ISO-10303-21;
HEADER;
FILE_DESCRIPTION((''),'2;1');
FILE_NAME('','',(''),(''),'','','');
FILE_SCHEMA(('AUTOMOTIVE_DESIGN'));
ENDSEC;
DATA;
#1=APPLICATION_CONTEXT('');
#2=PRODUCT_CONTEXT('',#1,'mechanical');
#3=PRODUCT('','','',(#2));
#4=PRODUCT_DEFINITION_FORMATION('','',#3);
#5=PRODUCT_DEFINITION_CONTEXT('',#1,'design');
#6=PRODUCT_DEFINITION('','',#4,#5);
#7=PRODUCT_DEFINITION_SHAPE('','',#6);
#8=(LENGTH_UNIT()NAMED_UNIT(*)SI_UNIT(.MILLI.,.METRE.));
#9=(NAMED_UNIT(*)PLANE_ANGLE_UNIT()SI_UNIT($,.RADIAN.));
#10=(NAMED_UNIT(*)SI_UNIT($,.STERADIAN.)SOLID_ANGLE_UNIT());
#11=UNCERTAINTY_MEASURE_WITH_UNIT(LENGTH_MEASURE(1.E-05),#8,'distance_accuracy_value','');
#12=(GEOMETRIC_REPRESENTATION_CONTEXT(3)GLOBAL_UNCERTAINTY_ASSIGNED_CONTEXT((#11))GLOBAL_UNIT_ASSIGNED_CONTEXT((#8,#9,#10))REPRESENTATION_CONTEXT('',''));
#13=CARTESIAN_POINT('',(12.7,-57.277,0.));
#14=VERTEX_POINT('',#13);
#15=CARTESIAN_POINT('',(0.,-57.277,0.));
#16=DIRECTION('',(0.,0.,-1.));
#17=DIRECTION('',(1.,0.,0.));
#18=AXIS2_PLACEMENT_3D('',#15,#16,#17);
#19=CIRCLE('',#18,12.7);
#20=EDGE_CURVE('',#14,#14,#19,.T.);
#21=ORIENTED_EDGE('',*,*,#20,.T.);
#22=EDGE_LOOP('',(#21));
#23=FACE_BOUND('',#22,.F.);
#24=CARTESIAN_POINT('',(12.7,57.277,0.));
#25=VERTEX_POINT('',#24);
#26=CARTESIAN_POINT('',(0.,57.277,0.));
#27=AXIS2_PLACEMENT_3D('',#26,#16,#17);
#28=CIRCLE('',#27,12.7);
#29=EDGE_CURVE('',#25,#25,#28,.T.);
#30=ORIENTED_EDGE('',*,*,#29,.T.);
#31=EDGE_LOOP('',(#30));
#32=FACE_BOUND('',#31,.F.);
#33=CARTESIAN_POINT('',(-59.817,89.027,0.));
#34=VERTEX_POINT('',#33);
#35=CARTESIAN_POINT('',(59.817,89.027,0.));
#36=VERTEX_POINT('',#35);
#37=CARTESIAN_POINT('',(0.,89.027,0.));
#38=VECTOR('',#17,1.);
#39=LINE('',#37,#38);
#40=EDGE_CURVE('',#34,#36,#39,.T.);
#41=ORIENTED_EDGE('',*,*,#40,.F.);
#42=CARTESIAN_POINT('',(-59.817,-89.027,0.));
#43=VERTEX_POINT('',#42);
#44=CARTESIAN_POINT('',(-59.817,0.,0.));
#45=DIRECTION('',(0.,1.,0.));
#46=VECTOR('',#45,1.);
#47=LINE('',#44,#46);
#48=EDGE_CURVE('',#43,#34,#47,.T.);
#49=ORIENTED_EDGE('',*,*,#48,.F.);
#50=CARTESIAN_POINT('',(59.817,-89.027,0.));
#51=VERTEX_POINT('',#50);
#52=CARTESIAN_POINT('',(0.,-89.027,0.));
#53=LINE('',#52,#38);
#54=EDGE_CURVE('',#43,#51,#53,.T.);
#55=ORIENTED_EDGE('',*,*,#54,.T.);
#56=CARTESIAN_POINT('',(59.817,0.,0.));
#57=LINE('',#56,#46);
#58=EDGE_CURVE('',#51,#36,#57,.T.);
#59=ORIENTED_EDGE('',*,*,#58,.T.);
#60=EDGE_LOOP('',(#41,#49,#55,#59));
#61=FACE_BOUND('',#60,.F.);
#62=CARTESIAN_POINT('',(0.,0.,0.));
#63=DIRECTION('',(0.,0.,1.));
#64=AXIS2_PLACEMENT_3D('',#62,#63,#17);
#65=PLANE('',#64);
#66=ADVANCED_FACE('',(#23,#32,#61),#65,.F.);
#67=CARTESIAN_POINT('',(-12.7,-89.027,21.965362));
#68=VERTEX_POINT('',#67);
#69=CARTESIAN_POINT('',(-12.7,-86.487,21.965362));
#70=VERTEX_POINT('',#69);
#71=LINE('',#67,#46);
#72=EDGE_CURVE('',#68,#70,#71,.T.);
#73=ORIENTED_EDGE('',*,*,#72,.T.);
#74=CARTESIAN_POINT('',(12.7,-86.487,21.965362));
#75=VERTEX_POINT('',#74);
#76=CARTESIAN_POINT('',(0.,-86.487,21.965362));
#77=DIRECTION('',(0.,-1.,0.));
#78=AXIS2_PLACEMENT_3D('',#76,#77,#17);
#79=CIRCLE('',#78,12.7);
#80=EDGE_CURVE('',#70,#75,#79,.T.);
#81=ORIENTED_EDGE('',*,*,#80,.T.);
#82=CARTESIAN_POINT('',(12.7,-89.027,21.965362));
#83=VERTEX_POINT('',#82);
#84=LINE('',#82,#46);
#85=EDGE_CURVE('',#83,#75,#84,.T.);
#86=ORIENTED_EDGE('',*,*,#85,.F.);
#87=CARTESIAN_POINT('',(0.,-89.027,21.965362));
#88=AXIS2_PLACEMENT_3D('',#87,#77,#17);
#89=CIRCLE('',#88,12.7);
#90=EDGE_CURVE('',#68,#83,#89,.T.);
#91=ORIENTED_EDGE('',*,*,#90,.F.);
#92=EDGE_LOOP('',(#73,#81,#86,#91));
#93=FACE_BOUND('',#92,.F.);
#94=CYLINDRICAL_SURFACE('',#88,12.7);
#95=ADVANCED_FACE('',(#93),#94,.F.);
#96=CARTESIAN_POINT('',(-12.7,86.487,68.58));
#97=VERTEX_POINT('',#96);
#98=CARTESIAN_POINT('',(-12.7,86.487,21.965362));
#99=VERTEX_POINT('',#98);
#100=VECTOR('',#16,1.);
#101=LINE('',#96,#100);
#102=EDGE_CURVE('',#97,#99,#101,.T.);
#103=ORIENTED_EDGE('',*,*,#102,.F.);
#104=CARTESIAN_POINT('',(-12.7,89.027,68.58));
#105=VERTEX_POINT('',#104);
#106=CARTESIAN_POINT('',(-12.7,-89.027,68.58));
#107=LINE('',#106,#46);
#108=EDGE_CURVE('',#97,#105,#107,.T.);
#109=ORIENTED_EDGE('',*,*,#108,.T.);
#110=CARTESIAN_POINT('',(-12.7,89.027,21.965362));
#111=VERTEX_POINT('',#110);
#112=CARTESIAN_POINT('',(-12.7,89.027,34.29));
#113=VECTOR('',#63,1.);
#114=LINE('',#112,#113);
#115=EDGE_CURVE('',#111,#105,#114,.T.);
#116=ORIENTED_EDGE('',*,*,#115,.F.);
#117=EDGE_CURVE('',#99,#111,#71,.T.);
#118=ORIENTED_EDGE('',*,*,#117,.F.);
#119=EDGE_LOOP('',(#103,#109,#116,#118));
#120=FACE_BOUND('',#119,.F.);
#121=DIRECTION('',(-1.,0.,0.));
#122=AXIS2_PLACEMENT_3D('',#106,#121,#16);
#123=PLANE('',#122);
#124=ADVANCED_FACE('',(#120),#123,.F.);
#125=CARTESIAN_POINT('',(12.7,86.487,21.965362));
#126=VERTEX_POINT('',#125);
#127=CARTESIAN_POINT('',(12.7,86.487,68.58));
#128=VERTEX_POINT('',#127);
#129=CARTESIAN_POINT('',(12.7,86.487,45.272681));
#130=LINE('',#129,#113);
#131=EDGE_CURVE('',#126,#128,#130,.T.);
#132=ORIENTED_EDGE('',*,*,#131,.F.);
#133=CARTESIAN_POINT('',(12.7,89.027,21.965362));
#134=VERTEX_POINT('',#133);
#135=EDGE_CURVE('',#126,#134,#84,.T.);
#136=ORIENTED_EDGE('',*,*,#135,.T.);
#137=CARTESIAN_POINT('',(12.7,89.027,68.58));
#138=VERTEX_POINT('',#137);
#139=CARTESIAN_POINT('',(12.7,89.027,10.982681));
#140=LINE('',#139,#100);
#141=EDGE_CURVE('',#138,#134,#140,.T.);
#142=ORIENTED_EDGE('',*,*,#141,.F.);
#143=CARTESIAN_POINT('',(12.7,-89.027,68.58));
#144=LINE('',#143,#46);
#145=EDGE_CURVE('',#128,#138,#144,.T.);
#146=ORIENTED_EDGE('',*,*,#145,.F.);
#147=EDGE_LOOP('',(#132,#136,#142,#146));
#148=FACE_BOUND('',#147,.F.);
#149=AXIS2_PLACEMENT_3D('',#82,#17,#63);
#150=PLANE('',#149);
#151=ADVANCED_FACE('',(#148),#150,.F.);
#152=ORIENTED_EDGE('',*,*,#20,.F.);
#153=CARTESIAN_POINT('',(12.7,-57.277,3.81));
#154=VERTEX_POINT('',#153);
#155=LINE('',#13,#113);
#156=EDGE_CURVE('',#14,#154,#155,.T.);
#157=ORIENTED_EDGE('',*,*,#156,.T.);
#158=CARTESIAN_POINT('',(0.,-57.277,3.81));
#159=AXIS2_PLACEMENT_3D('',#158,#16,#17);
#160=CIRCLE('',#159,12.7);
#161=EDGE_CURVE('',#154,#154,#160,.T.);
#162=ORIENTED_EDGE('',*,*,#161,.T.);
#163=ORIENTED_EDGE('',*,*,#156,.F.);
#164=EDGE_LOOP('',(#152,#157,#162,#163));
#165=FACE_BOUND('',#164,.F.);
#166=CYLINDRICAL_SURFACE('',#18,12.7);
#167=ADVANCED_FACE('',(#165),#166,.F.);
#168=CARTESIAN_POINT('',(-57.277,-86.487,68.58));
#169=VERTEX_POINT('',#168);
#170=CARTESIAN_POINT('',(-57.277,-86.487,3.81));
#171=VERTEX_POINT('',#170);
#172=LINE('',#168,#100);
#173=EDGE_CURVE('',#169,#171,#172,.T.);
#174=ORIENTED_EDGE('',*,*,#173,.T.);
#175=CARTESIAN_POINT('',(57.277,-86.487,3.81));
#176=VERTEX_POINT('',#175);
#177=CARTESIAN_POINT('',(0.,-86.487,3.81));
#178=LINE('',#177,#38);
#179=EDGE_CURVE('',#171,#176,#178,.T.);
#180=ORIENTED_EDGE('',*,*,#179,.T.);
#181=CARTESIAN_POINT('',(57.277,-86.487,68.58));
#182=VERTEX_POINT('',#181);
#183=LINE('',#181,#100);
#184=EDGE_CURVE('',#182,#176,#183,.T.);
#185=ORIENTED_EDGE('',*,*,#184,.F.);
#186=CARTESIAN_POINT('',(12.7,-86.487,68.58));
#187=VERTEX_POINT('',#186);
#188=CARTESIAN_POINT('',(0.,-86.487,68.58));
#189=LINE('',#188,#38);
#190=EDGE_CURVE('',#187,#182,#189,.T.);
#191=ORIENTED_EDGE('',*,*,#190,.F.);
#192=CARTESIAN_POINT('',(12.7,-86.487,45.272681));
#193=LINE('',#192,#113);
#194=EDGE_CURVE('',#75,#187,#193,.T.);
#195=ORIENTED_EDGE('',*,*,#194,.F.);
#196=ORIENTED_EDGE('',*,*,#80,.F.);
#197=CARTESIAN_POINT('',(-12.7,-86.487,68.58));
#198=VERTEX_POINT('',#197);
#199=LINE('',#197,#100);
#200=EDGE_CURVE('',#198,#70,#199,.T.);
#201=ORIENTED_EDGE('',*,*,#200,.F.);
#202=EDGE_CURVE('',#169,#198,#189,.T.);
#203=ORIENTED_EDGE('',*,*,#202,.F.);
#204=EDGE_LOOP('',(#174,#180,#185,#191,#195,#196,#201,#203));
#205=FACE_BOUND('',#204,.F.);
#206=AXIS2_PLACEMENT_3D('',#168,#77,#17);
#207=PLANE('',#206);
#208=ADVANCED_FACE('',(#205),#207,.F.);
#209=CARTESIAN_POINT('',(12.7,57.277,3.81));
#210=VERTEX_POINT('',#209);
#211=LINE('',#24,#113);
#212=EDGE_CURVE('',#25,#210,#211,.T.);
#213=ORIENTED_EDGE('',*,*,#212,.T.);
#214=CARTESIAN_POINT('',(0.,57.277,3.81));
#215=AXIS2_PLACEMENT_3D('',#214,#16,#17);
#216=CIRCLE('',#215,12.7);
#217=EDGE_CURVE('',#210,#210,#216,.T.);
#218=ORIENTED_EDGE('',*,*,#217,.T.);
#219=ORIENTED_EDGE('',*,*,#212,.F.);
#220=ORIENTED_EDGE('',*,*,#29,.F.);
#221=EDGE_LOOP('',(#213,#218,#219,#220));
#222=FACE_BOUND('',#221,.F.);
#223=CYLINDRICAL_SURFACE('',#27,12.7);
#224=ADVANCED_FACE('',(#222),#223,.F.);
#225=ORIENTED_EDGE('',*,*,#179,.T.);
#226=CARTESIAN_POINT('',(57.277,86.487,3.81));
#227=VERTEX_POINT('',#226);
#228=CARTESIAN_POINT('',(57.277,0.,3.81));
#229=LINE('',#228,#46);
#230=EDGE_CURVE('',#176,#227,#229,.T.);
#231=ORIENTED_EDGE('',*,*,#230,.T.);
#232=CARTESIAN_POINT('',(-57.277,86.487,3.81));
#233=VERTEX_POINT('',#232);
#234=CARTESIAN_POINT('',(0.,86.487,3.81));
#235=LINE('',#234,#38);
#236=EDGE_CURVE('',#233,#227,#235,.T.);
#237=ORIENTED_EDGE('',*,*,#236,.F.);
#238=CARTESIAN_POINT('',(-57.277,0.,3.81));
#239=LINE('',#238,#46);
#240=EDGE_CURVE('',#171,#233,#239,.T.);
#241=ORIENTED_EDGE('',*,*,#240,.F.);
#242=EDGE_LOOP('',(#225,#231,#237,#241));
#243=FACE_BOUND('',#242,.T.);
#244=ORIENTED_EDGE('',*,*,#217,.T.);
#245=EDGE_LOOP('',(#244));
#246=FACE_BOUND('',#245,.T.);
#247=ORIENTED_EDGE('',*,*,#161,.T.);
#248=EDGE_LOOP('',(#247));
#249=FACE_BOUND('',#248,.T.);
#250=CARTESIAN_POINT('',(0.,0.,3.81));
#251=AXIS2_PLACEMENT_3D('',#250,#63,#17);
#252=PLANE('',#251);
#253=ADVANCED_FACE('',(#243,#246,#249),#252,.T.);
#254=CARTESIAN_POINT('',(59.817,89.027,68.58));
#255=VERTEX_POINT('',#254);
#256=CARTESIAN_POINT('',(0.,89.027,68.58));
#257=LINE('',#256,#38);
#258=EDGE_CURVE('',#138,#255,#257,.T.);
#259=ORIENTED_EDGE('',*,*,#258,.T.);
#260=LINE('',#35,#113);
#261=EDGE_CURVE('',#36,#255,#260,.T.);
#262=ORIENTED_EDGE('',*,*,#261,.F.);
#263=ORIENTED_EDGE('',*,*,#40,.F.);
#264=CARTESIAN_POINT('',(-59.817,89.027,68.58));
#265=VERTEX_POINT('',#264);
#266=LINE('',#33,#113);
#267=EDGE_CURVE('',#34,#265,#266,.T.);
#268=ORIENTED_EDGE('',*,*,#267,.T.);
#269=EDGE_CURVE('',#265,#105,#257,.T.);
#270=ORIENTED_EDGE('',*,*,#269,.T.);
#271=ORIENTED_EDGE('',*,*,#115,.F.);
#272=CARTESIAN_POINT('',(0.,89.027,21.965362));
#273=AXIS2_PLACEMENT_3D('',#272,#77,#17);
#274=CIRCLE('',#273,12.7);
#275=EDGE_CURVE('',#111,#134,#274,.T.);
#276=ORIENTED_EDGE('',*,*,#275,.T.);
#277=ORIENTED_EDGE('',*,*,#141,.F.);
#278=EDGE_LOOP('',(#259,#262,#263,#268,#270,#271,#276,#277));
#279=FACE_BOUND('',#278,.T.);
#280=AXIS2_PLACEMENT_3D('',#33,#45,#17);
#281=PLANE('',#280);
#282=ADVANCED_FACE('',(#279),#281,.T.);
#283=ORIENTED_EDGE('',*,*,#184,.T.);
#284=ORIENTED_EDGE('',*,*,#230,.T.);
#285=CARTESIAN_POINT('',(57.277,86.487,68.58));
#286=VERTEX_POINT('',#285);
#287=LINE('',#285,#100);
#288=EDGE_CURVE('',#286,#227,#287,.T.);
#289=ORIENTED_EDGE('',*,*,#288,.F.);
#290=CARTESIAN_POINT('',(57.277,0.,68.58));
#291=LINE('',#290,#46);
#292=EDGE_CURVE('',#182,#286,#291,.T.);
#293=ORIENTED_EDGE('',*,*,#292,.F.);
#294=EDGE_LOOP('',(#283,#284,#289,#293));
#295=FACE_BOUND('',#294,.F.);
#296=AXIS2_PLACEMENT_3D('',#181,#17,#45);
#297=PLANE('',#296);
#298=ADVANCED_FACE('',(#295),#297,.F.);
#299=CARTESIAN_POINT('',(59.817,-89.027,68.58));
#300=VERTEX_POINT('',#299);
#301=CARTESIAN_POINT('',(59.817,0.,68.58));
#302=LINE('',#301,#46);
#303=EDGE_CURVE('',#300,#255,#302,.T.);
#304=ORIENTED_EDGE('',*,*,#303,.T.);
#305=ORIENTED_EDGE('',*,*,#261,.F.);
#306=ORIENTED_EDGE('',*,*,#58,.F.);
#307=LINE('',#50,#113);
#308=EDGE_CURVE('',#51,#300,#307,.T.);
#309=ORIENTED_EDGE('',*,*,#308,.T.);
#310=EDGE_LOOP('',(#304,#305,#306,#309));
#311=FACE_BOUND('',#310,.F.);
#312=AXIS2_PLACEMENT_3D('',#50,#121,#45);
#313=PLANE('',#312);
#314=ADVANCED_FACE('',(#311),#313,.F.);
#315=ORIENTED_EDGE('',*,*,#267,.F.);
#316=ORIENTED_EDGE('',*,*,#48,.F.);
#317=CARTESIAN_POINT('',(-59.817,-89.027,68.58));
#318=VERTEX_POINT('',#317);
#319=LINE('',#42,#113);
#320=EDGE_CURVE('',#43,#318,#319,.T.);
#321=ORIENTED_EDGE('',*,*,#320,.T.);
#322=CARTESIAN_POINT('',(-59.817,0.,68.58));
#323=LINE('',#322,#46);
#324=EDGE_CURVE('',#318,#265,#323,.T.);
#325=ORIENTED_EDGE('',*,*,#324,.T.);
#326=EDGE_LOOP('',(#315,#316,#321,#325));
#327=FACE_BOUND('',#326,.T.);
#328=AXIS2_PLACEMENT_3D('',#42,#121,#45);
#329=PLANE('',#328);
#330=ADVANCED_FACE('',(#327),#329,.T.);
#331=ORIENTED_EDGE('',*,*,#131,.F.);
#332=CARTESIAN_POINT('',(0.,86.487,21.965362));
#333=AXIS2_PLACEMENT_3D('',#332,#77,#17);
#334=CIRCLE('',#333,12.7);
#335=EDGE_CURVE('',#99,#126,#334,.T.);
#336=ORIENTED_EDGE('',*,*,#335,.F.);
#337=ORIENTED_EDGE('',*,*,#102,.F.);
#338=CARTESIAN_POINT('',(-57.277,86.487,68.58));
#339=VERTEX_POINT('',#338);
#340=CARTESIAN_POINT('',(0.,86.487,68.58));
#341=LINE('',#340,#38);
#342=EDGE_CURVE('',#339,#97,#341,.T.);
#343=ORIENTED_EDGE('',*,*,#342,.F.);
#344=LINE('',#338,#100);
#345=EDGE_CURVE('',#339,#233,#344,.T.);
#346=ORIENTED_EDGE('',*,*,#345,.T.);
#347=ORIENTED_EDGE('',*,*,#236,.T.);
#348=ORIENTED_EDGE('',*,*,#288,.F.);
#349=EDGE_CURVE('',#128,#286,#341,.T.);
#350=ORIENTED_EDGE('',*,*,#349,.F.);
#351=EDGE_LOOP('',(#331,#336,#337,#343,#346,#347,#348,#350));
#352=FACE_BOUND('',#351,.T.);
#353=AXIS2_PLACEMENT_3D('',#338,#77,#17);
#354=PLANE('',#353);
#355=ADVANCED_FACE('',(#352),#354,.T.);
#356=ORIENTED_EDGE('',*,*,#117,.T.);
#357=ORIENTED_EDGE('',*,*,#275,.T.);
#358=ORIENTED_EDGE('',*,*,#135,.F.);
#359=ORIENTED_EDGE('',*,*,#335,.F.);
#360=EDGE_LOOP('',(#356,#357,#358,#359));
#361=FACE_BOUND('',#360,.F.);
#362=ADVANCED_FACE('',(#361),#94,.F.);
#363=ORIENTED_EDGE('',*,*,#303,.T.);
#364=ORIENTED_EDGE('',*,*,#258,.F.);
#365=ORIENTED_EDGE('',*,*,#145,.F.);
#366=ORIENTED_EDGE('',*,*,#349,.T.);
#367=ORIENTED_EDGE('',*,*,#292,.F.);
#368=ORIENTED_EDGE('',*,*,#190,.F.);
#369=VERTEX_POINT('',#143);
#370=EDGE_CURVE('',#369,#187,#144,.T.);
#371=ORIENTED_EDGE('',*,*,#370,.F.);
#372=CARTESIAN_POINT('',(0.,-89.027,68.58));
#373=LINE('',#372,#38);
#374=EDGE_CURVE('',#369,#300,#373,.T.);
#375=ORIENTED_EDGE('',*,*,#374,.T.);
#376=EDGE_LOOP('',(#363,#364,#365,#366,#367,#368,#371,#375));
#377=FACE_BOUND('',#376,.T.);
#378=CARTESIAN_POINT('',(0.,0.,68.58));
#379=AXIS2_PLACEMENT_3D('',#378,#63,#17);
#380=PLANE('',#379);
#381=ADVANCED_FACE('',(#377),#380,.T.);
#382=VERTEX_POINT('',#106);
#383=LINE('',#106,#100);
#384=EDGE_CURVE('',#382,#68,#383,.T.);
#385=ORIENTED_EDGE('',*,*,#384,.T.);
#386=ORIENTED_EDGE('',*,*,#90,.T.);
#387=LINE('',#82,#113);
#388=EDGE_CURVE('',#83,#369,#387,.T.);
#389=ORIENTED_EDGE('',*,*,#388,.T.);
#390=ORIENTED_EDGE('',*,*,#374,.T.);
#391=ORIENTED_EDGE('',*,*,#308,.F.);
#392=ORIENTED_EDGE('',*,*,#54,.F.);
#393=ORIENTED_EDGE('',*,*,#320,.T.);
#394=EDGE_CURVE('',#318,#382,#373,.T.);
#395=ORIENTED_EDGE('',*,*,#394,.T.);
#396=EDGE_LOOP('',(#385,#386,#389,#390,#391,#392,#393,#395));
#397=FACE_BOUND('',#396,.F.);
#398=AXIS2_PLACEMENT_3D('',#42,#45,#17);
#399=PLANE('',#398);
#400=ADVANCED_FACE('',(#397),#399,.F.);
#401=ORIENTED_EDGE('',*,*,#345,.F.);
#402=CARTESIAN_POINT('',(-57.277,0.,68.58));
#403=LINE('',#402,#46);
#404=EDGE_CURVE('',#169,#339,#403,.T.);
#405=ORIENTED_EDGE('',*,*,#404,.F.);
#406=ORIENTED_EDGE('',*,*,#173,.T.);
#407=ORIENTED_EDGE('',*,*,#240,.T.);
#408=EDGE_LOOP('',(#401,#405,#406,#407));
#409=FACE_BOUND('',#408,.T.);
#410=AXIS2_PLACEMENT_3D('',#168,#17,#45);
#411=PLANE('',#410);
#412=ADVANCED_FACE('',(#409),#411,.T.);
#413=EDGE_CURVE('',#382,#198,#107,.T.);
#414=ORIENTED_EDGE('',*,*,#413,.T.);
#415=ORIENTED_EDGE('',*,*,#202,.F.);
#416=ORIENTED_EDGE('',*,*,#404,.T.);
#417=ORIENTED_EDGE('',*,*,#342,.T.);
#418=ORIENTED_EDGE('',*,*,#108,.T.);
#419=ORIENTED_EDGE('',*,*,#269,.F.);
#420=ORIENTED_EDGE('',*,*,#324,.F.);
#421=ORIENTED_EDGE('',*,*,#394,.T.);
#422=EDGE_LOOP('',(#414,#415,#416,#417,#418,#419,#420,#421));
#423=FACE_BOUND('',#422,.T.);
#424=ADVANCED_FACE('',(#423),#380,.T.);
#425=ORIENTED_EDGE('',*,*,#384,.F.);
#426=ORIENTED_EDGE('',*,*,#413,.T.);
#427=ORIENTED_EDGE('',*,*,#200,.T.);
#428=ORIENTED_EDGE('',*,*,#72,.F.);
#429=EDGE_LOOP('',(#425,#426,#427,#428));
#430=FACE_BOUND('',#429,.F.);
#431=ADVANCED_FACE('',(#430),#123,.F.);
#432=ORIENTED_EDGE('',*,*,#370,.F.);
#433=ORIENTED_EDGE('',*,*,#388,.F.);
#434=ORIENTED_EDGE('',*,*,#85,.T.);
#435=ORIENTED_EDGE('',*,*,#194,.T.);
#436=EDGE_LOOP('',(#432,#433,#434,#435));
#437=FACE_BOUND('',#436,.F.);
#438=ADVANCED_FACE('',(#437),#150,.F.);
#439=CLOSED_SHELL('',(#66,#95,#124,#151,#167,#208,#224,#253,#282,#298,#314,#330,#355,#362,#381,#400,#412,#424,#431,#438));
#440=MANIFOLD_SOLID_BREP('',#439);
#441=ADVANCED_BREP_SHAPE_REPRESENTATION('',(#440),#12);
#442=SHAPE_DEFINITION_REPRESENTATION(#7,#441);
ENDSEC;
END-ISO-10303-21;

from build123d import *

# Parameters (mm, degrees)
F0_W     = 119.634
F0_H     = 178.054
F1_DEPTH = 68.58
F2_W     = 114.554
F2_H     = 172.974
F3_DEPTH = 64.77
F5_DEPTH = 190.5
F6_R     = 12.7
F7_DEPTH = 5.08


with BuildPart() as f1:
    # F0 (on Top) → F1 (new body)
    with BuildSketch(Plane.XY):
        Rectangle(F0_W, F0_H)
    extrude(amount=F1_DEPTH)

    # F2 (on face) → F3 (cut)
    with BuildSketch(Plane.XY.offset(68.58)):
        Rectangle(F2_W, F2_H)
    extrude(amount=-F3_DEPTH, mode=Mode.SUBTRACT)

    # F4 (on face) → F5 (cut)
    with BuildSketch(Plane.XZ.offset(89.027)):
        with BuildLine():
            ThreePointArc((-12.7, 21.965362), (0, 9.265362), (12.7, 21.965362))
            ThreePointArc((12.7, 21.965362), (0, 34.665362), (-12.7, 21.965362))
        make_face()
        with BuildLine():
            ThreePointArc((-12.7, 21.965362), (0, 34.665362), (12.7, 21.965362))
            Line((12.7, 21.965362), (12.7, 68.58))
            Line((12.7, 68.58), (-12.7, 68.58))
            Line((-12.7, 68.58), (-12.7, 21.965362))
        make_face()
    extrude(amount=-F5_DEPTH, mode=Mode.SUBTRACT)

    # F6 (on face) → F7 (cut)
    with BuildSketch(Plane(origin=(0, 0, 0), x_dir=(1, 0, 0), z_dir=(0, 0, -1))):
        with Locations((0, 57.277)):
            Circle(F6_R)
        with Locations((0, -57.277)):
            Circle(F6_R)
    extrude(amount=-F7_DEPTH, mode=Mode.SUBTRACT)


solid = f1.part
